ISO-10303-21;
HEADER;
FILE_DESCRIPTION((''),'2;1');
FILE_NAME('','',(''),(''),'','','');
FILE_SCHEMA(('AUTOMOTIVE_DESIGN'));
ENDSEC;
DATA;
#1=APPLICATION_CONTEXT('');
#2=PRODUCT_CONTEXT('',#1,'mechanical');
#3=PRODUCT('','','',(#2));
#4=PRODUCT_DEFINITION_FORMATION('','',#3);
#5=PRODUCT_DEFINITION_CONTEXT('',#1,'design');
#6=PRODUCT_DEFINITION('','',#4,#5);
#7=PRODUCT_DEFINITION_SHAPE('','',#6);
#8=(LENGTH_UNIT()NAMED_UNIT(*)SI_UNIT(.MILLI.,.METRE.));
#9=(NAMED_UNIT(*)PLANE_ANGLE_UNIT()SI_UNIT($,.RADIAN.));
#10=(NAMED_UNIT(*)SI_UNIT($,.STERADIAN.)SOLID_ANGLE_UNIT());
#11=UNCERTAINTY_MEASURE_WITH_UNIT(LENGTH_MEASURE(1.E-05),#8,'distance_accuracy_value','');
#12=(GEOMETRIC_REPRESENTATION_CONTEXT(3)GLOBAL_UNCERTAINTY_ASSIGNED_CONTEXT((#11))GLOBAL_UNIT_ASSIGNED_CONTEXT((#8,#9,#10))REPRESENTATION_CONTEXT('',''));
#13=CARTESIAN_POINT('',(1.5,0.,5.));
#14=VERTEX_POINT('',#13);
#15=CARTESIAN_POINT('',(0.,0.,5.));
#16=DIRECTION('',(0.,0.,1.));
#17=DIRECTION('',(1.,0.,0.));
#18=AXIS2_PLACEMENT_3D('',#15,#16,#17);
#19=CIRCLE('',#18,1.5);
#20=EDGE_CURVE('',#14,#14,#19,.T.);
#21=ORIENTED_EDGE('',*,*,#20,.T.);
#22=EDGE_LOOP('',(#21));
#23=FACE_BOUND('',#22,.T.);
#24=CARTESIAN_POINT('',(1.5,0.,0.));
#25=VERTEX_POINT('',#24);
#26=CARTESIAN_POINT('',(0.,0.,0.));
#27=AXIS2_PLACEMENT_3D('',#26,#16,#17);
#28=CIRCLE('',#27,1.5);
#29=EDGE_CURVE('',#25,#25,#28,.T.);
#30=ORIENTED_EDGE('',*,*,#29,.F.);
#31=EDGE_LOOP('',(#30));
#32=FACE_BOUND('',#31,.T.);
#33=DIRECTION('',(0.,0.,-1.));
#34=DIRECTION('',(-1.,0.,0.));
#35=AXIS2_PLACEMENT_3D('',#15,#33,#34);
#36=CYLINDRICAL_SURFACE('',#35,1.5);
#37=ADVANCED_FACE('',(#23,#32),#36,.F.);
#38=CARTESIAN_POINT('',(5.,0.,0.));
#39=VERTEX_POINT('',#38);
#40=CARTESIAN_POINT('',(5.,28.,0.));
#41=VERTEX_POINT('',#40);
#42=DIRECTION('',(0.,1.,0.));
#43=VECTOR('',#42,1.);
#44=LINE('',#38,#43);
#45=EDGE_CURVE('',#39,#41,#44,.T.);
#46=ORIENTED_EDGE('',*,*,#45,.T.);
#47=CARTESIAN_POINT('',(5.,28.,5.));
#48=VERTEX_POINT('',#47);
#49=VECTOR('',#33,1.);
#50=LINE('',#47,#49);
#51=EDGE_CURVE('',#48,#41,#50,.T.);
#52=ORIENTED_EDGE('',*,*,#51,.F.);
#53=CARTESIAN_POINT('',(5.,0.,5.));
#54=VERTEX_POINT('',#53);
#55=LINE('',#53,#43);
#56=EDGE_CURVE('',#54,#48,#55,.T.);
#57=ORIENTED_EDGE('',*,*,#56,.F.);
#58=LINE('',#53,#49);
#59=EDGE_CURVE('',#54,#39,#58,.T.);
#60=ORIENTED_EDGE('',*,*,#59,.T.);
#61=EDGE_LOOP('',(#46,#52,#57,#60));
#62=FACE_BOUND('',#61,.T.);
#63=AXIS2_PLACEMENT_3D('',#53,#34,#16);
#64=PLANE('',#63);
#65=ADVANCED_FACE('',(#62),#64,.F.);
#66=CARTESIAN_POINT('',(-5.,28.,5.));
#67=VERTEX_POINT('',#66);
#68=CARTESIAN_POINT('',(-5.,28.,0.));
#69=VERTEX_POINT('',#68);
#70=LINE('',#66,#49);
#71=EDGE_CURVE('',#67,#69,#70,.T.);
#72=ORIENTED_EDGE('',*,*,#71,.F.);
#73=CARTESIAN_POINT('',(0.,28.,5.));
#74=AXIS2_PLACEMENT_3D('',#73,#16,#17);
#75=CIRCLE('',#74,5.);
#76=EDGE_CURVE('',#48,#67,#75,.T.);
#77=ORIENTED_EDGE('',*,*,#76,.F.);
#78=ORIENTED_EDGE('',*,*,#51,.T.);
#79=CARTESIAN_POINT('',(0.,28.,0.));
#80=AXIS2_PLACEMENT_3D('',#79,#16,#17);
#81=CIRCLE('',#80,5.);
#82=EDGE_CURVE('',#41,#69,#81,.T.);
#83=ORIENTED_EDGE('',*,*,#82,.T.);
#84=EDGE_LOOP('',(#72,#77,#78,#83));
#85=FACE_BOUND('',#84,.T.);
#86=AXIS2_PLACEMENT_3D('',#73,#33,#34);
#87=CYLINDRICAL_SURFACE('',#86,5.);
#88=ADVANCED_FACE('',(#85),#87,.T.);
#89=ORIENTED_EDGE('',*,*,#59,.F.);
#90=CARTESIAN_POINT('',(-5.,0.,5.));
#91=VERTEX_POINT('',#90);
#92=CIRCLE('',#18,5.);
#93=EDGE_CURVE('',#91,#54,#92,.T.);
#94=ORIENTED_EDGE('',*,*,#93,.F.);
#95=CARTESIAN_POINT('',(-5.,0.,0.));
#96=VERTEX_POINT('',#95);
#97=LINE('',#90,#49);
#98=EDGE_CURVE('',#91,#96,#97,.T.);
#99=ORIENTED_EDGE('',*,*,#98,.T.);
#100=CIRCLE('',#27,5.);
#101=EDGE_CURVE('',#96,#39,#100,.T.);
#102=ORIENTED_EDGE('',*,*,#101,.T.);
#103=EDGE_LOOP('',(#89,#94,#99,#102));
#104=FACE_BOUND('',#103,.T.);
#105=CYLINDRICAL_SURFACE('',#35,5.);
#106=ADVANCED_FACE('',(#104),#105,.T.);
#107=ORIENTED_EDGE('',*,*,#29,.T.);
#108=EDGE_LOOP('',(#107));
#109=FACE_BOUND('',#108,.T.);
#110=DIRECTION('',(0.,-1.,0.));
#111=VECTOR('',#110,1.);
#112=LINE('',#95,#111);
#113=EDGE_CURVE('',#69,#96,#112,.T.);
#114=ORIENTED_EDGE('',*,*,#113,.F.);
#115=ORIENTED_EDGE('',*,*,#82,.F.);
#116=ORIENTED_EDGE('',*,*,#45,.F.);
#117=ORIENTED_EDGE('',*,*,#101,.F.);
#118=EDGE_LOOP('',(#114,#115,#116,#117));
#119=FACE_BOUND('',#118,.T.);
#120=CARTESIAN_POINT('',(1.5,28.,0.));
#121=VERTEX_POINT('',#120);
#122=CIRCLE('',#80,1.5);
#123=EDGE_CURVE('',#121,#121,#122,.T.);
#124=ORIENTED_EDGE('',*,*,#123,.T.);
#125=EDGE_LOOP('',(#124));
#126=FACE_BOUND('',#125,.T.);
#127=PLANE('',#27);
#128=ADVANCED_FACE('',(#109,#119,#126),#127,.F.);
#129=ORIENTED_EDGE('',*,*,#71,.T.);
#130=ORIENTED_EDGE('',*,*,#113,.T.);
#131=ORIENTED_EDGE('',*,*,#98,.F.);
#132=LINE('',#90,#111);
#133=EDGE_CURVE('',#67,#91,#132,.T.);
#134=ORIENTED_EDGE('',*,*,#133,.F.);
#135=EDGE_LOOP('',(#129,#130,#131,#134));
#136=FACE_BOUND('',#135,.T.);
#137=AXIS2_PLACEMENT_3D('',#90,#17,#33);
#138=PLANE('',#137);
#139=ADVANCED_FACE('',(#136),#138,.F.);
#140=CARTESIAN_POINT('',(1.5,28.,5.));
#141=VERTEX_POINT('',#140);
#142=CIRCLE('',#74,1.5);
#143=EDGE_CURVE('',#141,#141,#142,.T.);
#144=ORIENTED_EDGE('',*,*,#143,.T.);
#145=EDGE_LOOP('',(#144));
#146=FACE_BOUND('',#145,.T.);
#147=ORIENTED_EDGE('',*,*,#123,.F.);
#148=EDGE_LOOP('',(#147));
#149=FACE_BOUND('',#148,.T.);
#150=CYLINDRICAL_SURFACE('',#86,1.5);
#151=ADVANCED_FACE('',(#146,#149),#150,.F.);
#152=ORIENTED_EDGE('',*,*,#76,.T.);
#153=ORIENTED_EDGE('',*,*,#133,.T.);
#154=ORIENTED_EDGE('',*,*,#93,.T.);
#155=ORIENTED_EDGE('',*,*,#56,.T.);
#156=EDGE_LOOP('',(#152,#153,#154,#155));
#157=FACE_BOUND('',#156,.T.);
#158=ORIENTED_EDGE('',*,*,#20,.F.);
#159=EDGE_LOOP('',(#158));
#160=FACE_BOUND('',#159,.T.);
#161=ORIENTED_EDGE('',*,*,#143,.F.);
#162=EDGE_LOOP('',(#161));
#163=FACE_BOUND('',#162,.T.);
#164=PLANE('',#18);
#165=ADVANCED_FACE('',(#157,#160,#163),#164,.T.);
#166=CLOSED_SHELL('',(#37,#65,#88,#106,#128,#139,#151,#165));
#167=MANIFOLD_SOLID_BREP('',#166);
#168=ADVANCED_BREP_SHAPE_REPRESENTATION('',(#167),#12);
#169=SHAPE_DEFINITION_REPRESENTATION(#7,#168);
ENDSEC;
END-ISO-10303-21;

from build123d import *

# Parameters (mm, degrees)
SKETCH1_R           = 1.5
BOSS_EXTRUDE1_DEPTH = 5


with BuildPart() as part:
    # Sketch1 → Boss-Extrude1 (new body)
    with BuildSketch(Plane.XY):
        with BuildLine():
            Line((-5, 0), (-5, 28))
            ThreePointArc((-5, 28), (0, 33), (5, 28))
            Line((5, 28), (5, 0))
            ThreePointArc((5, 0), (0, -5), (-5, 0))
        make_face()
        Circle(SKETCH1_R, mode=Mode.SUBTRACT)
        with Locations((0, 28)):
            Circle(SKETCH1_R, mode=Mode.SUBTRACT)
    extrude(amount=BOSS_EXTRUDE1_DEPTH)


solid = part.part
